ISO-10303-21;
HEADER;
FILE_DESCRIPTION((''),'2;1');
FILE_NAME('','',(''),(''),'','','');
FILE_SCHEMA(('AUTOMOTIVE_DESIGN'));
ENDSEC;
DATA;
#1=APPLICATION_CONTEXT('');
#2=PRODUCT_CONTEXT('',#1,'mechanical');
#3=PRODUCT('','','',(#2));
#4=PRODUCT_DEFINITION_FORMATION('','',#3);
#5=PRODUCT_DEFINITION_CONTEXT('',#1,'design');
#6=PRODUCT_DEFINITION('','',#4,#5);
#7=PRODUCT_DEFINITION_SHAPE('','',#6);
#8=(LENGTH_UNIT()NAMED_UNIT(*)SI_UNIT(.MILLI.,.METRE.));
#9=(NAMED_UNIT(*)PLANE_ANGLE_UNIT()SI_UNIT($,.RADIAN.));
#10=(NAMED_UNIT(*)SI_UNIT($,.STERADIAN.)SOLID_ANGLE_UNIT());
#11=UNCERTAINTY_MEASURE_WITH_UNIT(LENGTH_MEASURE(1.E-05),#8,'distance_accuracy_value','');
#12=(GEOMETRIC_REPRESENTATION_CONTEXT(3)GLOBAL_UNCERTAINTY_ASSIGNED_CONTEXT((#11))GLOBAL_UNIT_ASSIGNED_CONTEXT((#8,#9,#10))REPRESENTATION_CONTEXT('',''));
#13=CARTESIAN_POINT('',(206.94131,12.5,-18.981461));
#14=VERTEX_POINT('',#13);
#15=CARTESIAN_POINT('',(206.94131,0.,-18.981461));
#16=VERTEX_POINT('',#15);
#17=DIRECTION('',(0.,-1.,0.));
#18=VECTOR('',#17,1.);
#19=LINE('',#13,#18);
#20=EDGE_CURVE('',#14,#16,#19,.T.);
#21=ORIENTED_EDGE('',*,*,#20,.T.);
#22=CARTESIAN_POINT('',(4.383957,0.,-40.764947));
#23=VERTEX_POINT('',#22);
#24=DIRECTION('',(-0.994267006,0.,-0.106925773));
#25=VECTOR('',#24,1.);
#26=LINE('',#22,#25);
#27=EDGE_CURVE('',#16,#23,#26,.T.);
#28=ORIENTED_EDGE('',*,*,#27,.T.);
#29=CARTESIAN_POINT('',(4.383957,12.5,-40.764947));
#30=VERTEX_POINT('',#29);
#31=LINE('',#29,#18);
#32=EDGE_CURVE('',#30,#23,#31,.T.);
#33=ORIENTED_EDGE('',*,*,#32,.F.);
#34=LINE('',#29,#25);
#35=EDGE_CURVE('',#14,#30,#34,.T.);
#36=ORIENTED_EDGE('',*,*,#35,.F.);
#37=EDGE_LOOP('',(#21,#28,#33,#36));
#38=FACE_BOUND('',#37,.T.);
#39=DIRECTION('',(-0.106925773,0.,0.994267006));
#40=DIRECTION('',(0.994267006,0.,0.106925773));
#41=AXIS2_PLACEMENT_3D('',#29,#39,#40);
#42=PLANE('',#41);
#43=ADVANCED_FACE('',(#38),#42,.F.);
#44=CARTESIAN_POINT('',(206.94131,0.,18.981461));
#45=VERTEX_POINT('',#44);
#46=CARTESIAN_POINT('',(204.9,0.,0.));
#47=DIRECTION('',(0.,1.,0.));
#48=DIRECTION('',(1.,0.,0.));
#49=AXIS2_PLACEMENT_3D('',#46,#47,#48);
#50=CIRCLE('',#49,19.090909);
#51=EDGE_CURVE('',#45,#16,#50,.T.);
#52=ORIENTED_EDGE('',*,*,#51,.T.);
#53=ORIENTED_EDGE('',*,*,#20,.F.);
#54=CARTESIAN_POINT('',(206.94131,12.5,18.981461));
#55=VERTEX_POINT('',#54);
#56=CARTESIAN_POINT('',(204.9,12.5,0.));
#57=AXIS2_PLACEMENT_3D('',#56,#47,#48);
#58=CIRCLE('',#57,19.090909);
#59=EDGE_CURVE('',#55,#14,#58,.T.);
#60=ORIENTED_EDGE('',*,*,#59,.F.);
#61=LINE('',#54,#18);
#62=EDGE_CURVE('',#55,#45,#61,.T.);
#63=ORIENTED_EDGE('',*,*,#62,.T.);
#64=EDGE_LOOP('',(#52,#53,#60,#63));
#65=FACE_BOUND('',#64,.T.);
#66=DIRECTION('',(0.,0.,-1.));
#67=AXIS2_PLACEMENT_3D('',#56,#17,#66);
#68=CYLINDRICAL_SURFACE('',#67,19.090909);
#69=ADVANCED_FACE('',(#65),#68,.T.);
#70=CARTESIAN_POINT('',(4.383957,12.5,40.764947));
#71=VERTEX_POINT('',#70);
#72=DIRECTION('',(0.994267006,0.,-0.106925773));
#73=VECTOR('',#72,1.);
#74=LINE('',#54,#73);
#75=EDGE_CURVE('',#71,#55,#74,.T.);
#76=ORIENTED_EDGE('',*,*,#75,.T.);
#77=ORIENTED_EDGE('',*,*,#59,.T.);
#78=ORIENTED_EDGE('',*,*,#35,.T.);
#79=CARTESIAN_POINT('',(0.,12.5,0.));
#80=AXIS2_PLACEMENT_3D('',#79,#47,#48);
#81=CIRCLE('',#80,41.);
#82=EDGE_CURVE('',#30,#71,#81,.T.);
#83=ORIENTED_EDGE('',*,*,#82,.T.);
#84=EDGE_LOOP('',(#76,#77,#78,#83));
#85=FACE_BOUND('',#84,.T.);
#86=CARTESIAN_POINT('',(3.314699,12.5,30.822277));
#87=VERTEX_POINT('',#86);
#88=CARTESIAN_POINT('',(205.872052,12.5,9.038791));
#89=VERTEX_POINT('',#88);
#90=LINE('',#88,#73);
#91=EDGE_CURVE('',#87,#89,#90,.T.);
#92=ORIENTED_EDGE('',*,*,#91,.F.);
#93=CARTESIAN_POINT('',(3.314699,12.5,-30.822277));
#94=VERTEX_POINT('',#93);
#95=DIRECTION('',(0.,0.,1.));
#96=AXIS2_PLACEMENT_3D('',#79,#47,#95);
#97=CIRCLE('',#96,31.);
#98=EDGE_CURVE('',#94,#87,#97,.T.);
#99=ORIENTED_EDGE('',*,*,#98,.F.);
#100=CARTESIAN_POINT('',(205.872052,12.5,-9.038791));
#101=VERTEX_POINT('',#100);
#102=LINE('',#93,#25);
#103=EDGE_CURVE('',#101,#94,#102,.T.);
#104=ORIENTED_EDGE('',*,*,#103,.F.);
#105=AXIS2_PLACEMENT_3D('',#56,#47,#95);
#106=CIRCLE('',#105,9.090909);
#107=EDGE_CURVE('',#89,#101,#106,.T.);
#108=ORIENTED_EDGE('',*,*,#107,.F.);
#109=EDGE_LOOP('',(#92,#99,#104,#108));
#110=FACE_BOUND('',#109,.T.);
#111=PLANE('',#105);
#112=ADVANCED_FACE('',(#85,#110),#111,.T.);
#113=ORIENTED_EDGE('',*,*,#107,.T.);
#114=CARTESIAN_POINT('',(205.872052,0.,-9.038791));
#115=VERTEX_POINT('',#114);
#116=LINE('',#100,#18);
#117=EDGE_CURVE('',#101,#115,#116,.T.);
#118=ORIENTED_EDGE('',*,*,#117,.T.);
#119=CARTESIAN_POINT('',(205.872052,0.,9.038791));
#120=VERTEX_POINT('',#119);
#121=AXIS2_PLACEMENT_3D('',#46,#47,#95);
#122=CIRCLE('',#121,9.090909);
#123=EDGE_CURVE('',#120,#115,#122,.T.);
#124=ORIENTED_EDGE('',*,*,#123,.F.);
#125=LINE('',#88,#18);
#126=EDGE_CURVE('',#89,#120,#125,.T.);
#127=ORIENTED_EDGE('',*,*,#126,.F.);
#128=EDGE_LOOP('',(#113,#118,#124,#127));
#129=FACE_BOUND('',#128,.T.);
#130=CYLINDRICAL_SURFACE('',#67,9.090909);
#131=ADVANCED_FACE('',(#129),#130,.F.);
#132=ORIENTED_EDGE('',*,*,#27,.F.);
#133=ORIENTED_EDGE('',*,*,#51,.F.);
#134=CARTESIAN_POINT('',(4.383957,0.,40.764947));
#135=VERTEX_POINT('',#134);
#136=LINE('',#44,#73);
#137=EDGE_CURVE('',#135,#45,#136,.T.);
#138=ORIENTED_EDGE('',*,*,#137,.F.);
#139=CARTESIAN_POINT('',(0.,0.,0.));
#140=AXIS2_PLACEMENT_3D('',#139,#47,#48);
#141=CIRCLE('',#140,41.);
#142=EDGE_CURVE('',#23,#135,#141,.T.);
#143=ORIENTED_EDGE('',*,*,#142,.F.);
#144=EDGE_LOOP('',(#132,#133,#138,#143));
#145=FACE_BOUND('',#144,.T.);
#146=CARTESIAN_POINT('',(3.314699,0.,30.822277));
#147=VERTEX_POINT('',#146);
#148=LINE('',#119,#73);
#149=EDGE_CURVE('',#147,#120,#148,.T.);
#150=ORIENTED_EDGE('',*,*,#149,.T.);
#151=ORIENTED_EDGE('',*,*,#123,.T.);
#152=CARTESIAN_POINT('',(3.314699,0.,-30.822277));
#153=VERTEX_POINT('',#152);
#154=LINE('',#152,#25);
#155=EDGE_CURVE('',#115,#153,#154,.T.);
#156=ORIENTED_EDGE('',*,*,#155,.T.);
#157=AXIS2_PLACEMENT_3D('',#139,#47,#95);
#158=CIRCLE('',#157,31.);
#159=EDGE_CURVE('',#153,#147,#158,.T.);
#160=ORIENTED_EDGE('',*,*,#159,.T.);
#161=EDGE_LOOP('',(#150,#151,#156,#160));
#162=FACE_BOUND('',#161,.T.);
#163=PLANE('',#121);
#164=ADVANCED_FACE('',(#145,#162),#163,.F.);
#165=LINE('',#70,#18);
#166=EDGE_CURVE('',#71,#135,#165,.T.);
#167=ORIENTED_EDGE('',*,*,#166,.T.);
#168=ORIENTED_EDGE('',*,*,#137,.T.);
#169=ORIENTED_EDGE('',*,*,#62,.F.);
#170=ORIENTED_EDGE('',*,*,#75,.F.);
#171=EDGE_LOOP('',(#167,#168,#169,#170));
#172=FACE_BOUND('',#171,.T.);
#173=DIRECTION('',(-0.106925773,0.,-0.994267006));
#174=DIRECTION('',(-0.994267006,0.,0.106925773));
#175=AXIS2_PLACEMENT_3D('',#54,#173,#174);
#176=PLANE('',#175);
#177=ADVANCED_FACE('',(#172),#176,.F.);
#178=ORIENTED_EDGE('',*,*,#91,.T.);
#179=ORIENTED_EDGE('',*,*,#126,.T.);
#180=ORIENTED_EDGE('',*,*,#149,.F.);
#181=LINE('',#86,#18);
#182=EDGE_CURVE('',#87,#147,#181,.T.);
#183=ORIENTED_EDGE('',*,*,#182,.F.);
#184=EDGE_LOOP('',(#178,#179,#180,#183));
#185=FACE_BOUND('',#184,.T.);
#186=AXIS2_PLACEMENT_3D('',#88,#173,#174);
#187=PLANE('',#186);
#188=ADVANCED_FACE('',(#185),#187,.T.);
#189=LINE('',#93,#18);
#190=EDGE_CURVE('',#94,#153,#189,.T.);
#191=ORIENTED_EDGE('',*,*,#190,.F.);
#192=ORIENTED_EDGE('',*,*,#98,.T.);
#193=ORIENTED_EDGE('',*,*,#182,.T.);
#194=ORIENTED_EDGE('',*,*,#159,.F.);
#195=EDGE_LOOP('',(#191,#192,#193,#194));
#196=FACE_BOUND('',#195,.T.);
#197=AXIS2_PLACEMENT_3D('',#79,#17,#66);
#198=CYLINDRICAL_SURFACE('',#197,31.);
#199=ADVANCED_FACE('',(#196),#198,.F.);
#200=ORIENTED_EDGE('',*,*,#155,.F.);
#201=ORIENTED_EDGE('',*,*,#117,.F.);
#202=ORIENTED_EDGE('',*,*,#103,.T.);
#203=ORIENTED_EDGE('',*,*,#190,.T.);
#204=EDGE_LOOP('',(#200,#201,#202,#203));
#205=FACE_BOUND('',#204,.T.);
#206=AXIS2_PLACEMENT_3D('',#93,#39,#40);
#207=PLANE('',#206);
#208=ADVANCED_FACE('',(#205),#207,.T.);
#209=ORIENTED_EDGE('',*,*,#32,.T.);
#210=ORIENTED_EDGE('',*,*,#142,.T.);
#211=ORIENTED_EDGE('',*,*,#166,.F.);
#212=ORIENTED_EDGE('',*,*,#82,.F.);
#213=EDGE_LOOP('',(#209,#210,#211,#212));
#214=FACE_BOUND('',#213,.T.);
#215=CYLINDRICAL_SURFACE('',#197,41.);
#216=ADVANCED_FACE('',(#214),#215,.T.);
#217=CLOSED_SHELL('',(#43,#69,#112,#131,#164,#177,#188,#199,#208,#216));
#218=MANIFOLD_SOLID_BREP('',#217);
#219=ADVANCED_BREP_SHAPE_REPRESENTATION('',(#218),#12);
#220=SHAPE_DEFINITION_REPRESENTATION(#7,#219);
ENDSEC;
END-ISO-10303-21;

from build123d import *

# Parameters (mm, degrees)
EXTRUDE_THIN1_DEPTH = 12.5


with BuildPart() as part:
    # Sketch1 → Extrude-Thin1 (new body)
    with BuildSketch(Plane(origin=(0, 0, 0), x_dir=(1, 0, 0), z_dir=(0, 1, 0))):
        with BuildLine():
            Line((206.941310214, -18.981461022), (4.383956697, -40.764947242))
            ThreePointArc((4.383956697, -40.764947242), (-41, 0), (4.383956697, 40.764947242))
            Line((4.383956697, 40.764947242), (206.941310214, 18.981461022))
            ThreePointArc((206.941310214, 18.981461022), (223.990909091, 0), (206.941310214, -18.981461022))
        make_face()
        with BuildLine():
            Line((205.872052483, -9.038790963), (3.314698966, -30.822277183))
            ThreePointArc((3.314698966, -30.822277183), (-31, 0), (3.314698966, 30.822277183))
            Line((3.314698966, 30.822277183), (205.872052483, 9.038790963))
            ThreePointArc((205.872052483, 9.038790963), (213.990909091, 0), (205.872052483, -9.038790963))
        make_face(mode=Mode.SUBTRACT)
    extrude(amount=EXTRUDE_THIN1_DEPTH)


solid = part.part
